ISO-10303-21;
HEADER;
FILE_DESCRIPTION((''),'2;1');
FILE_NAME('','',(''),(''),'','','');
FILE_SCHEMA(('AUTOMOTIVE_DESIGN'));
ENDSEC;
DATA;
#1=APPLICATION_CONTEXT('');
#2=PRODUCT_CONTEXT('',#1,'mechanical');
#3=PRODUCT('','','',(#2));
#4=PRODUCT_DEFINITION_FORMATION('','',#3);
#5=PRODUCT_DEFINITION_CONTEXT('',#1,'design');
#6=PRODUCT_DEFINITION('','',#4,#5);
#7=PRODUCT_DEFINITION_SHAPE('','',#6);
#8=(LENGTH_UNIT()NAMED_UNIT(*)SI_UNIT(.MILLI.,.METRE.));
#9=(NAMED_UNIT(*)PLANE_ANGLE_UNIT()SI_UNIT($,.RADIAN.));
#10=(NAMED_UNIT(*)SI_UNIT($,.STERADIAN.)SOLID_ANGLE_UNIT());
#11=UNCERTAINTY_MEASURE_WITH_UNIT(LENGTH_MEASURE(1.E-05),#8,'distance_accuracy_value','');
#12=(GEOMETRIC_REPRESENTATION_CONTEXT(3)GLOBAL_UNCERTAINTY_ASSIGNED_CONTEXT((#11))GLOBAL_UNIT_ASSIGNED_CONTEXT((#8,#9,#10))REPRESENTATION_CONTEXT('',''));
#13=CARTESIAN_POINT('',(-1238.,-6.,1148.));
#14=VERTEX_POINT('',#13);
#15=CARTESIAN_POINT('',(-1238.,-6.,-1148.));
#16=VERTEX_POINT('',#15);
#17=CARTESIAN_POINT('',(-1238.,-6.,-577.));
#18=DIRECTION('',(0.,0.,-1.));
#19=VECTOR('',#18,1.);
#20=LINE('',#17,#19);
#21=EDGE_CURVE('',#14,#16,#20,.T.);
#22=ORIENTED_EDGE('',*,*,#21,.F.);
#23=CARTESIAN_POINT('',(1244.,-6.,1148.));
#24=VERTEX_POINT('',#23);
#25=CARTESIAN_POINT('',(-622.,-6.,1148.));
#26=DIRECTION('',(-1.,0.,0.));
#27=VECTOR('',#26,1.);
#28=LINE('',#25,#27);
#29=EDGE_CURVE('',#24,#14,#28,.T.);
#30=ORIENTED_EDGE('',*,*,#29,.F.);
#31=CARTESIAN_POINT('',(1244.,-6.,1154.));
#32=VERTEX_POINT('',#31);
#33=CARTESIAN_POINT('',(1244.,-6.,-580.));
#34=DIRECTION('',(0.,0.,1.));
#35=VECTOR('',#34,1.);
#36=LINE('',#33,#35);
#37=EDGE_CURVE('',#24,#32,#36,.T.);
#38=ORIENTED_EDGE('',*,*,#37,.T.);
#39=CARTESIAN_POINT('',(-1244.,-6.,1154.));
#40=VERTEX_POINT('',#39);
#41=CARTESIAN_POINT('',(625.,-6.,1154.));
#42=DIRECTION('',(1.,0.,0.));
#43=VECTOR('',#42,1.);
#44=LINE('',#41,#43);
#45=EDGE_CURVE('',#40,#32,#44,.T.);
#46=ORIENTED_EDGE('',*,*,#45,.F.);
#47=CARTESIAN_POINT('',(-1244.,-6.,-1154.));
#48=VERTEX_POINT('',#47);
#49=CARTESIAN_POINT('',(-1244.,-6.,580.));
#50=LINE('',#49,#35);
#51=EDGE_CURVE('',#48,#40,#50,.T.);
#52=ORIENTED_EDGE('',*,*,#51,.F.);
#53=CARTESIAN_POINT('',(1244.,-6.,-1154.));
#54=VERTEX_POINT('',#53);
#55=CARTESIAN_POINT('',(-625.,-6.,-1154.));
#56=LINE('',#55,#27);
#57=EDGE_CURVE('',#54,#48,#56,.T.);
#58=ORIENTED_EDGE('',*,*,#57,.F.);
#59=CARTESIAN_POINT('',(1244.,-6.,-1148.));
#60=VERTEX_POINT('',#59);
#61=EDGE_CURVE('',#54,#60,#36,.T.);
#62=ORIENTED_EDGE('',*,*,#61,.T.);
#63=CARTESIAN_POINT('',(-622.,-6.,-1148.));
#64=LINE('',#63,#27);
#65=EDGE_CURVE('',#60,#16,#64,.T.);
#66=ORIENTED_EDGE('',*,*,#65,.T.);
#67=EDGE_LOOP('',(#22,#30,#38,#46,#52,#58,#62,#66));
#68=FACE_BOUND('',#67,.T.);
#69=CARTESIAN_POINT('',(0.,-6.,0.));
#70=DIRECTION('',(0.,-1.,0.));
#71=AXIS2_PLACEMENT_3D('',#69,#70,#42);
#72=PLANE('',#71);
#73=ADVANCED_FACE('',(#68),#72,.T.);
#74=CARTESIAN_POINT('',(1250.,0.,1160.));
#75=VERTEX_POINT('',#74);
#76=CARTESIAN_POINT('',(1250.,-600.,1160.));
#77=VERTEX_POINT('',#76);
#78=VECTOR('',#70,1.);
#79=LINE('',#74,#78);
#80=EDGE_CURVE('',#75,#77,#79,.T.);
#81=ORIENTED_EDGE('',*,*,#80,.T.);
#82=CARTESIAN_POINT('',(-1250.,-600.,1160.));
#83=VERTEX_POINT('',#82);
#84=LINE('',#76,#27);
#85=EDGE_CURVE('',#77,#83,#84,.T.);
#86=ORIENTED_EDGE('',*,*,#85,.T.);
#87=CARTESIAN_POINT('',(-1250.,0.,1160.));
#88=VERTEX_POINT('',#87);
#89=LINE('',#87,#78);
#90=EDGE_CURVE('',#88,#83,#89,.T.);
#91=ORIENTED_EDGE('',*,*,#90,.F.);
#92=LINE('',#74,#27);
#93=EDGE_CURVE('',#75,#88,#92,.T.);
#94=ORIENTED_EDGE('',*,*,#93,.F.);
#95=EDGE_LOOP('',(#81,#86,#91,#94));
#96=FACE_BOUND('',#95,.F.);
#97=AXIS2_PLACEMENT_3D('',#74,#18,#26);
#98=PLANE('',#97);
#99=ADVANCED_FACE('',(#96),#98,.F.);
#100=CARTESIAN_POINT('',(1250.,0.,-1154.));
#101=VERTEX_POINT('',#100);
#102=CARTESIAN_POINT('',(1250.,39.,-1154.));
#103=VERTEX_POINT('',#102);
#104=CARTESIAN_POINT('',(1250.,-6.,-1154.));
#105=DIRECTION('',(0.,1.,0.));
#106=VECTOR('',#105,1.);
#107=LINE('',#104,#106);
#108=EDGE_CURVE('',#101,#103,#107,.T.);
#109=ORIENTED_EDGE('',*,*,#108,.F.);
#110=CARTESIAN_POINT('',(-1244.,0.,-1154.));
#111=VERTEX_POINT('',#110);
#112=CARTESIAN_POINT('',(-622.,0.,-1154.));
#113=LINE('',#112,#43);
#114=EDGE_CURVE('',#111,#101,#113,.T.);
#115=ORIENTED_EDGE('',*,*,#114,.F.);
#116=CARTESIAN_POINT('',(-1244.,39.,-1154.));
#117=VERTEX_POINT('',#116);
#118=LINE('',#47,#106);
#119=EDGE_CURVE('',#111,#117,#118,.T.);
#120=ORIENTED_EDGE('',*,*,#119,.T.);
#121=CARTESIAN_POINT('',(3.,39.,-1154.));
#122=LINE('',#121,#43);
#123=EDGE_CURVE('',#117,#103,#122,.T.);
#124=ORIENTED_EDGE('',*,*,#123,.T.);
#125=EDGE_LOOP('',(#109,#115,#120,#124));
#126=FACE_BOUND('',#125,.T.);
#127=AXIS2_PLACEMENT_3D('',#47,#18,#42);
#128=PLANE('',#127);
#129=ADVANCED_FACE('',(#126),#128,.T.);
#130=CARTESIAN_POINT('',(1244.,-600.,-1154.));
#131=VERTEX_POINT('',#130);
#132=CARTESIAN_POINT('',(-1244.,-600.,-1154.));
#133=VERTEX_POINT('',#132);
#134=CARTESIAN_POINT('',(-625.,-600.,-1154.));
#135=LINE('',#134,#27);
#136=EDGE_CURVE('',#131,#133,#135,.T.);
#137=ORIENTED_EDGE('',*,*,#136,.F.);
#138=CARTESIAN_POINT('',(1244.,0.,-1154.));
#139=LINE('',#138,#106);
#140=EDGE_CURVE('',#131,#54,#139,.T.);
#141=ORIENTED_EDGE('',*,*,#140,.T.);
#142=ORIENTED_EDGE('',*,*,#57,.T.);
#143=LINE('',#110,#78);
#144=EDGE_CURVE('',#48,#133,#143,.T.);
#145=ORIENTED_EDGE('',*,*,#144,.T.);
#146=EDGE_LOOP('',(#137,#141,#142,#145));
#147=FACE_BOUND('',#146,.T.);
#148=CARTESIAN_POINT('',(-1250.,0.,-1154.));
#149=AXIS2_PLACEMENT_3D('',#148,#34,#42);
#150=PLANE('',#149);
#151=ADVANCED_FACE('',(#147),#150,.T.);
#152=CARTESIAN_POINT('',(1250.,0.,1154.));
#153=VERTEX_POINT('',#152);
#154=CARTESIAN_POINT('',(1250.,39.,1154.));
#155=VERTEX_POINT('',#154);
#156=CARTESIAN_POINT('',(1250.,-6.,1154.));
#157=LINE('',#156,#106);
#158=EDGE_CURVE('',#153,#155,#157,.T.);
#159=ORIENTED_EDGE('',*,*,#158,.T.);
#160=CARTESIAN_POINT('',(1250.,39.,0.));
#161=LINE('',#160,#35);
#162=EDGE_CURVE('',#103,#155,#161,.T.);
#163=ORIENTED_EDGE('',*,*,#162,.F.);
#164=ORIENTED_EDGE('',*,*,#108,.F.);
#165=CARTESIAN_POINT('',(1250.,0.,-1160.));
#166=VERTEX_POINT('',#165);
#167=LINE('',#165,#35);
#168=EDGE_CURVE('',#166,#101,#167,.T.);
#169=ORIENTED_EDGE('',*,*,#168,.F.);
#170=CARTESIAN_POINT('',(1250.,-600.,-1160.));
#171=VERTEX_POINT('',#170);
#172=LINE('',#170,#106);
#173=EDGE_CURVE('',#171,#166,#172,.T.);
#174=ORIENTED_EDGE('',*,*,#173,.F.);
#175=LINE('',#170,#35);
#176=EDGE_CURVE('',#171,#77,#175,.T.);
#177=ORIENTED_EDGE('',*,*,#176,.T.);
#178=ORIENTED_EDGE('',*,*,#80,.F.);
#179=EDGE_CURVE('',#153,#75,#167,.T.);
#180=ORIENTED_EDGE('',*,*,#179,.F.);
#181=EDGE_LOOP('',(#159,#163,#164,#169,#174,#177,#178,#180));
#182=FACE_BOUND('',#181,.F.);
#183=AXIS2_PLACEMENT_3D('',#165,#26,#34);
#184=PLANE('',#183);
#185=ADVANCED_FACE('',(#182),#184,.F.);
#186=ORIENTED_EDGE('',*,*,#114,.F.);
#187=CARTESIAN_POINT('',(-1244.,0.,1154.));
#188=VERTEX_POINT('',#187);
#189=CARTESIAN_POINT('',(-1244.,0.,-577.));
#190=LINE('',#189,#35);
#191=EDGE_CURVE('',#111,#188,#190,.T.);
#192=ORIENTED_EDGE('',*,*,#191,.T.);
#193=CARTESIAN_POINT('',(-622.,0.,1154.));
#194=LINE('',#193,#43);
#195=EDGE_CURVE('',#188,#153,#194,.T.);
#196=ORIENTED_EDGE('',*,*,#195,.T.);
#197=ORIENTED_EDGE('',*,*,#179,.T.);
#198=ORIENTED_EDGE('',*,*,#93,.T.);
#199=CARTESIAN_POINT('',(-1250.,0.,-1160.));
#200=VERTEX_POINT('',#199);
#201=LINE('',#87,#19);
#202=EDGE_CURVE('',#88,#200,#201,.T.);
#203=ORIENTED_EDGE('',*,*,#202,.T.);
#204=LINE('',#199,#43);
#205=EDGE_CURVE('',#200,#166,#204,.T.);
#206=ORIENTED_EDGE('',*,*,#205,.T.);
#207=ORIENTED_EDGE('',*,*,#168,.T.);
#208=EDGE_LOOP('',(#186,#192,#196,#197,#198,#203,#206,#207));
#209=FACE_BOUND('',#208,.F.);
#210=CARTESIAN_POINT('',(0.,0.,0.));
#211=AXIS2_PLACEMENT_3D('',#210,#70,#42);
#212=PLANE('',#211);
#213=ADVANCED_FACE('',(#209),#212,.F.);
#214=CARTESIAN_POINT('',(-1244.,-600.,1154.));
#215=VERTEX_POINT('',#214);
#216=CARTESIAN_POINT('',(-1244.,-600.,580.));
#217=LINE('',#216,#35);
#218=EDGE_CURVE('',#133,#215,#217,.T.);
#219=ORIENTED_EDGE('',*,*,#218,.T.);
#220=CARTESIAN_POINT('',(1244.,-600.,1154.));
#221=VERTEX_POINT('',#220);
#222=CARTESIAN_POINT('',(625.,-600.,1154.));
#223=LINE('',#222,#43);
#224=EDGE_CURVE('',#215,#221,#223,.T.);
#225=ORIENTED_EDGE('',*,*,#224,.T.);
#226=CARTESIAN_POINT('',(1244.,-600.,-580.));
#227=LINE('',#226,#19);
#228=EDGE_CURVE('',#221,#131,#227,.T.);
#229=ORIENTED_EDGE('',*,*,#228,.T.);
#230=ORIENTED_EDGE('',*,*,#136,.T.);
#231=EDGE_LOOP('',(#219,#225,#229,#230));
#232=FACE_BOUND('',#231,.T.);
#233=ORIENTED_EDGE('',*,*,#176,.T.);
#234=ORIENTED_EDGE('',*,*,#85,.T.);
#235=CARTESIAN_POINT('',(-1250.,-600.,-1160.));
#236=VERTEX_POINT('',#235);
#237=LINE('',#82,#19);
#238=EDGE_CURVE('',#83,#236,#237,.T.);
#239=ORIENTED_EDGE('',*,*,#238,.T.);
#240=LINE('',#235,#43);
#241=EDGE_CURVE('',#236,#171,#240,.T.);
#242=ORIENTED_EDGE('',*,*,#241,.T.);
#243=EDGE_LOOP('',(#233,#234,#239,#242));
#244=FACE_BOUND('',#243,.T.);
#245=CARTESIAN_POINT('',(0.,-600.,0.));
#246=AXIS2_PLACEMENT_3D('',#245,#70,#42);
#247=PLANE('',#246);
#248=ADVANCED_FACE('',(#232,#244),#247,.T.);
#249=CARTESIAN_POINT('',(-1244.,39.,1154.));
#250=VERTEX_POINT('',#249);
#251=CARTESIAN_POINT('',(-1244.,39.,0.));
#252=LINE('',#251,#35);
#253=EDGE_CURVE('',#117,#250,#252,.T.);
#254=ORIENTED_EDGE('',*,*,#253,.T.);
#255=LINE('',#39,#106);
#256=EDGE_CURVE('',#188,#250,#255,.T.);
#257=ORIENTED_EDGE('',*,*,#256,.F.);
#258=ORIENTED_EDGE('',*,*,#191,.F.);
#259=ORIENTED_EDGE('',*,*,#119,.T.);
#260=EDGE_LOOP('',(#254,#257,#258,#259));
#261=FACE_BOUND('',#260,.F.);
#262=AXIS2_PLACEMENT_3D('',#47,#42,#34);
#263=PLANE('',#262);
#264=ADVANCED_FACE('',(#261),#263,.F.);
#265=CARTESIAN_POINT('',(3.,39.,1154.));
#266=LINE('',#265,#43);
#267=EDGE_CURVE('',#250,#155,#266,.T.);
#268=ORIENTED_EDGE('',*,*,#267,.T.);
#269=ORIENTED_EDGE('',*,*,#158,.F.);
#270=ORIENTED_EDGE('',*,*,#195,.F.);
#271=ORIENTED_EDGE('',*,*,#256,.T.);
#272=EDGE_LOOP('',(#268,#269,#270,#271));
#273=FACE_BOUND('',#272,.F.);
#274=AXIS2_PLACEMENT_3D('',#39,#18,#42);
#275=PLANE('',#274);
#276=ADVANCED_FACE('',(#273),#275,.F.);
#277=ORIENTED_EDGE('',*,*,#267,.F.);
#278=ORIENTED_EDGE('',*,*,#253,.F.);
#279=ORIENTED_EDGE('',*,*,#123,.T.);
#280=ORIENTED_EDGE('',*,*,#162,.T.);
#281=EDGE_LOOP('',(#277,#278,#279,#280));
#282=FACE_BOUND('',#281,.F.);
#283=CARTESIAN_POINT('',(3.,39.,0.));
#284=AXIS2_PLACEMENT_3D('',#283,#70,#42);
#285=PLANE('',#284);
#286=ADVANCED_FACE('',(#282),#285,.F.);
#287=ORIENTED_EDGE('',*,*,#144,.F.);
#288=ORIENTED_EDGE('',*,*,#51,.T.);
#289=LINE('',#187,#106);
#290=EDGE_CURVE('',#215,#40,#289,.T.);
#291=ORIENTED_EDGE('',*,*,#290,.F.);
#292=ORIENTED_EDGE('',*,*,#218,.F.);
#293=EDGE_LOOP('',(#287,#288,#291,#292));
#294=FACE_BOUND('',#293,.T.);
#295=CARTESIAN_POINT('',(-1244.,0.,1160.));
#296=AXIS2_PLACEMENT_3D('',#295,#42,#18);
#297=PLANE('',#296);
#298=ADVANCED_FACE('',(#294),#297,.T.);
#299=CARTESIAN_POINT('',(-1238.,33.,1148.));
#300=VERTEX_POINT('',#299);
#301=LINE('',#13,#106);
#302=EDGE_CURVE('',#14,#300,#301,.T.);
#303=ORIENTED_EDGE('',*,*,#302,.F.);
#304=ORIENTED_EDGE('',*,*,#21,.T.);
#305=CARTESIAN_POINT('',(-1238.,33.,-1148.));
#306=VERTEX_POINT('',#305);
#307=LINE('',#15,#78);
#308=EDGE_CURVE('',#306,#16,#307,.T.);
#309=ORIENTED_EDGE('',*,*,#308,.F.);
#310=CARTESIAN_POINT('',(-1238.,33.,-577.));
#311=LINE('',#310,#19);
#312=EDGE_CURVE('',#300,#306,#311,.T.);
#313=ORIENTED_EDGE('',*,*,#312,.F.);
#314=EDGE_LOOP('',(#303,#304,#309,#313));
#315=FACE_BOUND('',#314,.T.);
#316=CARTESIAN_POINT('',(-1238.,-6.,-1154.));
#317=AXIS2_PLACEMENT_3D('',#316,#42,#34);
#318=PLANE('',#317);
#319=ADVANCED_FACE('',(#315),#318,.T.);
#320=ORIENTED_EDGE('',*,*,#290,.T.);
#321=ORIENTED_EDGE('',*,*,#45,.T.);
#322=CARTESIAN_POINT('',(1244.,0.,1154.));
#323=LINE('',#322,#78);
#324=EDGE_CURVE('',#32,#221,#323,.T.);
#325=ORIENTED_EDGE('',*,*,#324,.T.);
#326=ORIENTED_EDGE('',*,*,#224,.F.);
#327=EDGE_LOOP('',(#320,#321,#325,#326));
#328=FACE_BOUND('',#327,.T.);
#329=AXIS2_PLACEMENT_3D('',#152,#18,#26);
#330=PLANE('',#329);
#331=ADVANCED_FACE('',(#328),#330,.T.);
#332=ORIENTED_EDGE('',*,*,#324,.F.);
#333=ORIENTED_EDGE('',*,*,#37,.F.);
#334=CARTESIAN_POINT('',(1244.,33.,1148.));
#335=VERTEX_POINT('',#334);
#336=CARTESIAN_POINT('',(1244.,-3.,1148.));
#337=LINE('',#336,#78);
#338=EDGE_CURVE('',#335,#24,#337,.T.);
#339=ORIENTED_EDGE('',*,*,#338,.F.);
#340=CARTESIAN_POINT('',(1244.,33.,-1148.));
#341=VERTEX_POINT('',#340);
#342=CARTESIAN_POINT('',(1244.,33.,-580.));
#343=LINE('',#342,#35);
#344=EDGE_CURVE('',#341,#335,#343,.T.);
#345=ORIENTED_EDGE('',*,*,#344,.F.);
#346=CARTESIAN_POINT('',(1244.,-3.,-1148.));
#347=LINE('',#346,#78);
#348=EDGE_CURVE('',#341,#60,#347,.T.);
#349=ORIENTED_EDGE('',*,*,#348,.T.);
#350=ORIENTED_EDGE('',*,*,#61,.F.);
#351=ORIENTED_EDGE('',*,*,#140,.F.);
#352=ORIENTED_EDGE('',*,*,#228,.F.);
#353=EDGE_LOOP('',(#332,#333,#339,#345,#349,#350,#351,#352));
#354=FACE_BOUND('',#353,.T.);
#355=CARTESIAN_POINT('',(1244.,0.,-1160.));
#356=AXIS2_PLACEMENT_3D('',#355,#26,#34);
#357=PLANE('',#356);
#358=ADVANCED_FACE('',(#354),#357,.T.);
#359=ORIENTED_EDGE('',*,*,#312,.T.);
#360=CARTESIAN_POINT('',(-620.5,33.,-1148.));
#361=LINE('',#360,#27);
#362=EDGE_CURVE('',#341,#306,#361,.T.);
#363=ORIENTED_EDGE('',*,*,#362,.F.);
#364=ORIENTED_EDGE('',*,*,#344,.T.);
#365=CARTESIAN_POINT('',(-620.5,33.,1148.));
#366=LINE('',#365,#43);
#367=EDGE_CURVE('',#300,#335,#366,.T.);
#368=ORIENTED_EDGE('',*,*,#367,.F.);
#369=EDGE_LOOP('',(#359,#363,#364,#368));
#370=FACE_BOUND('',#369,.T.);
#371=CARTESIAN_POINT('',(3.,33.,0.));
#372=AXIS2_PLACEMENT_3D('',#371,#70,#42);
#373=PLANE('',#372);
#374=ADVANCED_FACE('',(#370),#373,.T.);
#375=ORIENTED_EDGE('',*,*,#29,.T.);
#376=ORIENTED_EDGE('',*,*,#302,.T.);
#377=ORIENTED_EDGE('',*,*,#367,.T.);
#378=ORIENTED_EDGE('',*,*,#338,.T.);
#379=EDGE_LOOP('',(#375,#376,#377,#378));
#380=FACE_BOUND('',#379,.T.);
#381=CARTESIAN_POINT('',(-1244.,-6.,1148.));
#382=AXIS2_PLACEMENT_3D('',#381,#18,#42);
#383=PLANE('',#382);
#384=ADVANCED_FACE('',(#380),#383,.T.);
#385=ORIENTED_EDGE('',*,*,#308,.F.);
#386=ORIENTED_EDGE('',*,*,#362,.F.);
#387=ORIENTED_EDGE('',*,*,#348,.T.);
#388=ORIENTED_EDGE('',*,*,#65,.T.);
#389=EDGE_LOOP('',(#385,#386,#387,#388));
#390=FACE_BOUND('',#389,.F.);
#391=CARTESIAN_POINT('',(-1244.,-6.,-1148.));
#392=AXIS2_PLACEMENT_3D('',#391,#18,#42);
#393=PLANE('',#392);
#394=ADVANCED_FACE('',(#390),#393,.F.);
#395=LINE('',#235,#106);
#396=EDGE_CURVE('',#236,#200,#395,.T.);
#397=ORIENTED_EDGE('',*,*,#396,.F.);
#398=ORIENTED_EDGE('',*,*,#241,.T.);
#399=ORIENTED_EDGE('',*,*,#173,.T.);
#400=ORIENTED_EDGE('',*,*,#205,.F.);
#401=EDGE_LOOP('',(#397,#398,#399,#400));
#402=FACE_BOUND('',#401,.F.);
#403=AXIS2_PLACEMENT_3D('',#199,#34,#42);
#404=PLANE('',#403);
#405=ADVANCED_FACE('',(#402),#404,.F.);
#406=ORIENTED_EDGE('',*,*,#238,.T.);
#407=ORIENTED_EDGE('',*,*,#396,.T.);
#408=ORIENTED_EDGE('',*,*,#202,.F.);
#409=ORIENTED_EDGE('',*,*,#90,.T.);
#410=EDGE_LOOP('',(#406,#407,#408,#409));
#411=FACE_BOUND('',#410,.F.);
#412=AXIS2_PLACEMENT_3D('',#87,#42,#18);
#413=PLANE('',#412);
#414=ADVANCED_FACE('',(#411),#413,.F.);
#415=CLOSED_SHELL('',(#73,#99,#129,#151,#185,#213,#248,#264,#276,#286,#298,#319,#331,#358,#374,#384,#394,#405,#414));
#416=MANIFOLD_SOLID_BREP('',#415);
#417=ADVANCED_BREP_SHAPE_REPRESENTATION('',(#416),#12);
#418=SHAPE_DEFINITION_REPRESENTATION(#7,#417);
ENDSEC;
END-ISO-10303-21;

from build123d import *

# Parameters (mm, degrees)
F2_DEPTH = 6
F3_W     = 2494
F3_H     = 2308
F4_DEPTH = 45
F5_DEPTH = 600
F6_T     = -6


with BuildPart() as f2:
    # F0 (on Front) → F2 (new body)
    with BuildSketch(Plane.XZ):
        Polygon((-1250, 1160), (-1250, 677.0832676902), (-1250, -677.0832676902), (-1250, -1160), (1250, -1160), (1250, -677.0832676902), (1250, 677.0832676902), (1250, 1160), align=None)
    extrude(amount=F2_DEPTH)

    # F3 (on face) → F4 (join)
    with BuildSketch(Plane.XZ.offset(6)):
        with Locations((3, 0)):
            Rectangle(F3_W, F3_H)
    extrude(amount=-F4_DEPTH)

    # F0 (on Front) → F5 (join)
    with BuildSketch(Plane.XZ):
        Polygon((-1250, 1160), (-1250, 677.0832676902), (-1250, -677.0832676902), (-1250, -1160), (1250, -1160), (1250, -677.0832676902), (1250, 677.0832676902), (1250, 1160), align=None)
    extrude(amount=F5_DEPTH)

    # F6
    f6_openings = [f2.faces().sort_by_distance(p)[0] for p in [
        (0, -600, 0),
    ]]
    offset(amount=F6_T, openings=f6_openings, kind=Kind.INTERSECTION)


solid = f2.part
